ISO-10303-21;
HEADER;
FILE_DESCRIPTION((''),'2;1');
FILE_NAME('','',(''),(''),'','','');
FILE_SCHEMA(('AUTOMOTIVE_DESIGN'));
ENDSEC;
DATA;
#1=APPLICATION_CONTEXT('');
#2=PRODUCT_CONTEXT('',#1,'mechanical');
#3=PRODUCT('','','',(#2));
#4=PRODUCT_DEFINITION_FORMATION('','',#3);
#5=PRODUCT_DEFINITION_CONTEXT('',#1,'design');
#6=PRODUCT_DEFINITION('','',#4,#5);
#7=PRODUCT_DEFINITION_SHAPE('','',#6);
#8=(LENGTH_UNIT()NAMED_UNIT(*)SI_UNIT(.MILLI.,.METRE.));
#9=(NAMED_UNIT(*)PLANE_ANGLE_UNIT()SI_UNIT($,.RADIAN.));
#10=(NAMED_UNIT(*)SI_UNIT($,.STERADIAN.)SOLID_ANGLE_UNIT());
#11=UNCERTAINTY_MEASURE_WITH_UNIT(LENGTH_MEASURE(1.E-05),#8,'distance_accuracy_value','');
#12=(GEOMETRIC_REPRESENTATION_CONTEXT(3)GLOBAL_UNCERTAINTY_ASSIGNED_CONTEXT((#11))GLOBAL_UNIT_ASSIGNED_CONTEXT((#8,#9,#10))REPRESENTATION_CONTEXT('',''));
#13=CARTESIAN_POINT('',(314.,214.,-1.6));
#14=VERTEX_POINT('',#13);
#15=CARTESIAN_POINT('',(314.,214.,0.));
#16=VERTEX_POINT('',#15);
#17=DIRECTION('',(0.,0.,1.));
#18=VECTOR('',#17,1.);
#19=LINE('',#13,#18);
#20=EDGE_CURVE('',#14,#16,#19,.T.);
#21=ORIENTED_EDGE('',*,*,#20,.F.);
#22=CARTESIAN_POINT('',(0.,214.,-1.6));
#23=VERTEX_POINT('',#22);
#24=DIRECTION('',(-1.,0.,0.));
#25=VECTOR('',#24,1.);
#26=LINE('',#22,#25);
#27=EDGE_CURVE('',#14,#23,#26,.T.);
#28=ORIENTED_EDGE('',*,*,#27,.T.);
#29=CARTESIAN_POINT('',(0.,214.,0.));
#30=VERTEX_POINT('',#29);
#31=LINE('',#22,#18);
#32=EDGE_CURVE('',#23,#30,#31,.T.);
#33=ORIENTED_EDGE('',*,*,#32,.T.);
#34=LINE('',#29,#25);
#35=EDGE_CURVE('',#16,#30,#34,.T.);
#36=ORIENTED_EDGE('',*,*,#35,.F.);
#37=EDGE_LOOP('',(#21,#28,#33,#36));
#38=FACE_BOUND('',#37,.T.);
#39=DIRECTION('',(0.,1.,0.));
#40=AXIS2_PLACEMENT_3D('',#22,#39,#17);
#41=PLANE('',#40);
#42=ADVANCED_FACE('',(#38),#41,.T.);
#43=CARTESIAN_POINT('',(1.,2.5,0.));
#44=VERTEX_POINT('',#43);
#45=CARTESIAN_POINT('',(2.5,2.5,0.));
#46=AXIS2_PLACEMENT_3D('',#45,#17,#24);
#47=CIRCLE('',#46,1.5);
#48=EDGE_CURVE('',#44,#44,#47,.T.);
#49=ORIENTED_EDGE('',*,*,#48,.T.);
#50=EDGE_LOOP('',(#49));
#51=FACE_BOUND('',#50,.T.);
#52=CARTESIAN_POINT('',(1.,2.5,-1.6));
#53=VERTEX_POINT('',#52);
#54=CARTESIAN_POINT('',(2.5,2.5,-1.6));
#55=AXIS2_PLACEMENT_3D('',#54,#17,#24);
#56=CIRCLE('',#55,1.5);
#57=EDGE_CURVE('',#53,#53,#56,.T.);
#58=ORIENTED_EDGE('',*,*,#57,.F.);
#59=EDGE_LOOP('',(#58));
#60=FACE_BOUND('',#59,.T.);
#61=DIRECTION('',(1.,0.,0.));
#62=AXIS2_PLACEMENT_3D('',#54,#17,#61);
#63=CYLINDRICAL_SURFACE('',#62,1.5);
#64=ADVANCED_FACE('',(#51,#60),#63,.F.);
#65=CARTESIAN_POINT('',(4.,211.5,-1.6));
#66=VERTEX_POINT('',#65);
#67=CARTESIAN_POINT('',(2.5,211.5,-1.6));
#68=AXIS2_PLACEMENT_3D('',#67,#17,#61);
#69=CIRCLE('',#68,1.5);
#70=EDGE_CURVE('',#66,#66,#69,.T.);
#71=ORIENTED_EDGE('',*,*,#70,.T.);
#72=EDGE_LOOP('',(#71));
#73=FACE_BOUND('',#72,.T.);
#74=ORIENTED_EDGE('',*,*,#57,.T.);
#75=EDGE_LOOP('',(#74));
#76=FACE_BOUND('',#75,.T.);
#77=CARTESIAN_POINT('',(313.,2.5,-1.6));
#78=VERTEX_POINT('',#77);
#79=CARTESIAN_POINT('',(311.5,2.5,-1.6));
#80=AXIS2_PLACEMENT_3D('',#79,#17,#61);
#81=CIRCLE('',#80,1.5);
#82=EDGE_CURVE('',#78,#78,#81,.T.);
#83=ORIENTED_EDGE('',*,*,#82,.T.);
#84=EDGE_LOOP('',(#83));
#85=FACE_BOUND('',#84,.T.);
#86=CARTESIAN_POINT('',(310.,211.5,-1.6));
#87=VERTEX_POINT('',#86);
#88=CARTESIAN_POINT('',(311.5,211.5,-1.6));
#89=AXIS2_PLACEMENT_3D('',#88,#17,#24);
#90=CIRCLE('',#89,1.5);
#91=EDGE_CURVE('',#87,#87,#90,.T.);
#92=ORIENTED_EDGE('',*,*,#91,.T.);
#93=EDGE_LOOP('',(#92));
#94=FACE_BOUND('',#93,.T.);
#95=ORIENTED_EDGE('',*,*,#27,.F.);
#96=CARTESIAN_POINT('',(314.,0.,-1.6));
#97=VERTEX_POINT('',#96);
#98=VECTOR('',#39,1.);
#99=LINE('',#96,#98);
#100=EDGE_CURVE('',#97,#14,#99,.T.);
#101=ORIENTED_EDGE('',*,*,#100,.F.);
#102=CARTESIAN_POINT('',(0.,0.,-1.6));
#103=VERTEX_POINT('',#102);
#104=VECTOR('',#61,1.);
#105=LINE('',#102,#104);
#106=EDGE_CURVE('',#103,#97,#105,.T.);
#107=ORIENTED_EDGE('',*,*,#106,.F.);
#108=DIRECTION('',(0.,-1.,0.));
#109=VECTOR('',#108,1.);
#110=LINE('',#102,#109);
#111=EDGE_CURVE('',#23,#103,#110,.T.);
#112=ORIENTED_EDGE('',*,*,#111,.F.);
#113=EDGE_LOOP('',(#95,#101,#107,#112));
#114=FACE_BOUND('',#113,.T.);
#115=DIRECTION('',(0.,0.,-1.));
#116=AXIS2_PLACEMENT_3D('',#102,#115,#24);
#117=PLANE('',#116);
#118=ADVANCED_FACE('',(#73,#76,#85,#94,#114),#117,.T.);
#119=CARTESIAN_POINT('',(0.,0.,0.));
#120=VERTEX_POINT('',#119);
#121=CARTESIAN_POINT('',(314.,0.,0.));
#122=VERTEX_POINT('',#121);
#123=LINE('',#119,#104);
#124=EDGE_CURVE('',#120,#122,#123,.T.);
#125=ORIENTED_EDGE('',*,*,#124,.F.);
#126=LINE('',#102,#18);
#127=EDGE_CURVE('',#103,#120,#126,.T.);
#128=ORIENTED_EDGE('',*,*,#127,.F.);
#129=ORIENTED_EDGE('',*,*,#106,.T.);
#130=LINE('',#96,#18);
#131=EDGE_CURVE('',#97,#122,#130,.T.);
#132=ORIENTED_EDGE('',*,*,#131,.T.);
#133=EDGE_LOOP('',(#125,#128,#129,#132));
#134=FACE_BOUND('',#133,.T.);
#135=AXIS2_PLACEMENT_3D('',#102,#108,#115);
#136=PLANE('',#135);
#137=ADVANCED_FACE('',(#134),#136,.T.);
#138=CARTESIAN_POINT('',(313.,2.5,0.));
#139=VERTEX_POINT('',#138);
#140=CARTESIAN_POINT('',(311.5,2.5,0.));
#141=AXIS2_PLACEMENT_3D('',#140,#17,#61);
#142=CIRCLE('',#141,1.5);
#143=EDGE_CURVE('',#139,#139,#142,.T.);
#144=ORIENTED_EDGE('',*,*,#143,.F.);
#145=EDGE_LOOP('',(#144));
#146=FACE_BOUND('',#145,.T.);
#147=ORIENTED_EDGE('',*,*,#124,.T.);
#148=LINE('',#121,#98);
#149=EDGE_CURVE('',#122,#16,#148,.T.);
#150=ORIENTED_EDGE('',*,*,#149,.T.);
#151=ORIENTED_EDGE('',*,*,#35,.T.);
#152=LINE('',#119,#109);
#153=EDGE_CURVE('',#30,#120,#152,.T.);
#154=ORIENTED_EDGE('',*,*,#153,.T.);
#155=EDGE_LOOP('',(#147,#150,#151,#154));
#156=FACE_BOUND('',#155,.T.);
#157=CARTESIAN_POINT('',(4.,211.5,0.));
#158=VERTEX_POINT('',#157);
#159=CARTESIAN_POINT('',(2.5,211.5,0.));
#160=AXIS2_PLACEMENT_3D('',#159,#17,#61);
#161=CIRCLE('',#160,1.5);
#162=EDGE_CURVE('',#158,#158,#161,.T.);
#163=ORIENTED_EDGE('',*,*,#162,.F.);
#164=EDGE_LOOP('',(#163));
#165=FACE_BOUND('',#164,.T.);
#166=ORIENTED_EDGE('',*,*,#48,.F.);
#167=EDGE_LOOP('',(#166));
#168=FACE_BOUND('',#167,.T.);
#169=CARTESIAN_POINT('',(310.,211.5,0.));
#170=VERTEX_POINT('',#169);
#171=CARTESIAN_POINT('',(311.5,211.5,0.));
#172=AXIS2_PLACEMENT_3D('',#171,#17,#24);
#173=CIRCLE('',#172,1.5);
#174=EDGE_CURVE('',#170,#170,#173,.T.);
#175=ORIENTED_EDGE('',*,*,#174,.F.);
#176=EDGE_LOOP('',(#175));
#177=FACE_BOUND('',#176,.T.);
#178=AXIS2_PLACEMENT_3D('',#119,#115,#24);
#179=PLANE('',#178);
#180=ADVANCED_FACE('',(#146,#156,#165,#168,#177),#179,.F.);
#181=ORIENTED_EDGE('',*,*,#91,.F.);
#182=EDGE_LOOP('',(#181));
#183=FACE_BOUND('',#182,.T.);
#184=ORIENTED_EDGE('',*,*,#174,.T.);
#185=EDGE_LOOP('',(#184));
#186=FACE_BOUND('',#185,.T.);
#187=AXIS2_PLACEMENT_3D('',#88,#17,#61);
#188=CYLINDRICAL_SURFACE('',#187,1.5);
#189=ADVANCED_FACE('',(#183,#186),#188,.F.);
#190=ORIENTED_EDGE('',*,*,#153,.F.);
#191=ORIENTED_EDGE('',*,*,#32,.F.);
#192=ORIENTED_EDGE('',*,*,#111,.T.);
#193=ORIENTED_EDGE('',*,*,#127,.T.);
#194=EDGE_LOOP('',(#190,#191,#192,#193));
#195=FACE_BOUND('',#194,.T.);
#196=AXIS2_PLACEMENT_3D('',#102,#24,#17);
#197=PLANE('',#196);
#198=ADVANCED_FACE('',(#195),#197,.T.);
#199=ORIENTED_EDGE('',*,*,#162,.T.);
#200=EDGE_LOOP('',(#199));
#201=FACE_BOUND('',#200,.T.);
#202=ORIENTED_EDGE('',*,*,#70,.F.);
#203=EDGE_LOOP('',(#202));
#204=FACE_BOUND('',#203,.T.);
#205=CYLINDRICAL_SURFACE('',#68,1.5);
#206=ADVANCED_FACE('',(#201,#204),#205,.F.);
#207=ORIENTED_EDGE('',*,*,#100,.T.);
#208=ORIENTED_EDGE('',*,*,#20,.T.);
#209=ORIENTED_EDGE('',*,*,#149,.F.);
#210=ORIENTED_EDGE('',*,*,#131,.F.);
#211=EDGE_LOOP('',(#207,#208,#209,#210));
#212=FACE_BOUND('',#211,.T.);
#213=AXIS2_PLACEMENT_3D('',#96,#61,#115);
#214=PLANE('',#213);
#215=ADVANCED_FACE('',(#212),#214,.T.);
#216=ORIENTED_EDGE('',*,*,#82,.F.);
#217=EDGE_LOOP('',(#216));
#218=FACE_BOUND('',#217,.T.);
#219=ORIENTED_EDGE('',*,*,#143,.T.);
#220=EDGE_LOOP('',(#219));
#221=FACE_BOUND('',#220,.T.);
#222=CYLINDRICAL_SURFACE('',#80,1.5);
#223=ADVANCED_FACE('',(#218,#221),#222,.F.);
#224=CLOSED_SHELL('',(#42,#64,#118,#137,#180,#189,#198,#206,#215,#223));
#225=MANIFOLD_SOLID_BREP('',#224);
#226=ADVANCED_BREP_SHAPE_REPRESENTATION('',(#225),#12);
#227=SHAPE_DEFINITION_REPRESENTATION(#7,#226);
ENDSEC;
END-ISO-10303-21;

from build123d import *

# Parameters (mm, degrees)
SCHIZZO1_W     = 314
SCHIZZO1_H     = 214
SCHIZZO1_R     = 1.5
EXTRUDE1_DEPTH = 1.6


with BuildPart() as part:
    # Schizzo1 → Extrude1 (new body)
    with BuildSketch(Plane.XY):
        with Locations((157, 107)):
            Rectangle(SCHIZZO1_W, SCHIZZO1_H)
        with Locations((2.5, 211.5)):
            Circle(SCHIZZO1_R, mode=Mode.SUBTRACT)
        with Locations((311.5, 211.5)):
            Circle(SCHIZZO1_R, mode=Mode.SUBTRACT)
        with Locations((2.5, 2.5)):
            Circle(SCHIZZO1_R, mode=Mode.SUBTRACT)
        with Locations((311.5, 2.5)):
            Circle(SCHIZZO1_R, mode=Mode.SUBTRACT)
    extrude(amount=-EXTRUDE1_DEPTH)


solid = part.part
